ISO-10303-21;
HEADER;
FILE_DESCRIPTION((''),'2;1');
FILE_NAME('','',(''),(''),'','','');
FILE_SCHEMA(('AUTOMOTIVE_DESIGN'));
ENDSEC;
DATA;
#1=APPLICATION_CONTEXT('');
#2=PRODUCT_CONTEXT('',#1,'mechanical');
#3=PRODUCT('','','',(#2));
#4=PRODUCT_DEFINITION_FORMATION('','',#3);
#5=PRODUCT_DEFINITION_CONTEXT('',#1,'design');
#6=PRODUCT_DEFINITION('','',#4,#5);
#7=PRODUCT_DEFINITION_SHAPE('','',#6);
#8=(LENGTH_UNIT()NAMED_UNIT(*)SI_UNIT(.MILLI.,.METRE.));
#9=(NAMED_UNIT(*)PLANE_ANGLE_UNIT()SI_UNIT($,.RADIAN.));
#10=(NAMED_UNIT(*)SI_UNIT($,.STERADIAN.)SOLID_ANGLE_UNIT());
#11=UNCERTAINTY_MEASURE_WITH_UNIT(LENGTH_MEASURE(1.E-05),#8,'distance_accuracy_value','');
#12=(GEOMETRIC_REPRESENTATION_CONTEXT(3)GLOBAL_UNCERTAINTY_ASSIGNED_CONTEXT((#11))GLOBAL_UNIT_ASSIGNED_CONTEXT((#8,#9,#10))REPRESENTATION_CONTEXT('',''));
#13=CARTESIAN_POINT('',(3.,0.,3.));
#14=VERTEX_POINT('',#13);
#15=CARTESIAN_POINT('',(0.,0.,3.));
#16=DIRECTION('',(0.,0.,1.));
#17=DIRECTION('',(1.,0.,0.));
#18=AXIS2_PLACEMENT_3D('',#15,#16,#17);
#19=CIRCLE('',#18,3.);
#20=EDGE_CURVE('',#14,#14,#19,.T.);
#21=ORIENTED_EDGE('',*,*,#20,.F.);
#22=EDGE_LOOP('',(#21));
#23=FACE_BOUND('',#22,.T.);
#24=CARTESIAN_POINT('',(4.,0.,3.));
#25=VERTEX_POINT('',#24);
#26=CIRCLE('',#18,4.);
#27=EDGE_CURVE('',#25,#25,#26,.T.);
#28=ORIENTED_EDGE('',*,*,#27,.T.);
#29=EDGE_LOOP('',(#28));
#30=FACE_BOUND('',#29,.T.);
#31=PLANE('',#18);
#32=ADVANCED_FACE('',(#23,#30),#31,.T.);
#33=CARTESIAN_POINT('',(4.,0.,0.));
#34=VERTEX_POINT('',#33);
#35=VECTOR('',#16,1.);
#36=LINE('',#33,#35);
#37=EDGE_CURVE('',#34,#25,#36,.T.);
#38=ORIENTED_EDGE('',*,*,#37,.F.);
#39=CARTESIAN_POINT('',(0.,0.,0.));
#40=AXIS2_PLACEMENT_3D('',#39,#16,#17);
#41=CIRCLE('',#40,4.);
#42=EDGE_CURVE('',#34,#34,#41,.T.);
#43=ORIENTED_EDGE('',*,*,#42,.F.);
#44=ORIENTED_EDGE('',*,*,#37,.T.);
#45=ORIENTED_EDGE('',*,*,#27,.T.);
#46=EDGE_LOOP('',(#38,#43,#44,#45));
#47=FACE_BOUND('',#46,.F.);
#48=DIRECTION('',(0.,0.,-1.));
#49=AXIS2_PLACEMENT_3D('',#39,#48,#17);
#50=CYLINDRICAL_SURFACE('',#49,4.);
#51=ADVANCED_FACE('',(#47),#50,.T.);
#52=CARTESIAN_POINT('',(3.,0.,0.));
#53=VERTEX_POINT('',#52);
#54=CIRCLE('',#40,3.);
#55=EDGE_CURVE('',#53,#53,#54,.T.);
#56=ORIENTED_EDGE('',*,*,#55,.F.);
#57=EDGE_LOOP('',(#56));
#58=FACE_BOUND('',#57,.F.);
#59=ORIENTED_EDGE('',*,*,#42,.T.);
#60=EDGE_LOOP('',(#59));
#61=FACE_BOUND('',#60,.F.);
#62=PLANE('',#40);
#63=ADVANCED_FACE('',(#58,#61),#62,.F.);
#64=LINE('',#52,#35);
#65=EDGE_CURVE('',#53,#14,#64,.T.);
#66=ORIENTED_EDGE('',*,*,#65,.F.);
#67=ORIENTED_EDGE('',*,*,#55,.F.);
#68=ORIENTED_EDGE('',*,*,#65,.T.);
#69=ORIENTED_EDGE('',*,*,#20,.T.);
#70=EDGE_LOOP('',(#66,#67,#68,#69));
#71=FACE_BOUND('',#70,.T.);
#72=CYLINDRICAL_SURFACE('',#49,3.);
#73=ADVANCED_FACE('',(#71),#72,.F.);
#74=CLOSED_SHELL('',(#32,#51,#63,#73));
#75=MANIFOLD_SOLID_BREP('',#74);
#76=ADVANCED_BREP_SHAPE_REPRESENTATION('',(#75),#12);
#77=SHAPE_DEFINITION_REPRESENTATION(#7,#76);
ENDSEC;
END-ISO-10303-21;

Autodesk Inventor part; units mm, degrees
ref_plane "YZ Plane" through (0, 0, 0) normal (1, 0, 0) x (0, 1, 0)
ref_plane "XZ Plane" through (0, 0, 0) normal (0, 1, 0) x (-1, 0, 0)
ref_plane "XY Plane" through (0, 0, 0) normal (0, 0, 1) x (1, 0, 0)
sketch "スケッチ1" plane through (0, 0, 0) normal (0, 0, 1) x (1, 0, 0)
  circle A0 centre (0, 0) radius 4
  circle A1 centre (0, 0) radius 3
  dimension "d0" = 8
  dimension "d1" = 1
extrude "押し出し1" add sketch "スケッチ1" along normal blind 3
properties part number "オイレス外径8内径6" material "アセタール樹脂、黒"
